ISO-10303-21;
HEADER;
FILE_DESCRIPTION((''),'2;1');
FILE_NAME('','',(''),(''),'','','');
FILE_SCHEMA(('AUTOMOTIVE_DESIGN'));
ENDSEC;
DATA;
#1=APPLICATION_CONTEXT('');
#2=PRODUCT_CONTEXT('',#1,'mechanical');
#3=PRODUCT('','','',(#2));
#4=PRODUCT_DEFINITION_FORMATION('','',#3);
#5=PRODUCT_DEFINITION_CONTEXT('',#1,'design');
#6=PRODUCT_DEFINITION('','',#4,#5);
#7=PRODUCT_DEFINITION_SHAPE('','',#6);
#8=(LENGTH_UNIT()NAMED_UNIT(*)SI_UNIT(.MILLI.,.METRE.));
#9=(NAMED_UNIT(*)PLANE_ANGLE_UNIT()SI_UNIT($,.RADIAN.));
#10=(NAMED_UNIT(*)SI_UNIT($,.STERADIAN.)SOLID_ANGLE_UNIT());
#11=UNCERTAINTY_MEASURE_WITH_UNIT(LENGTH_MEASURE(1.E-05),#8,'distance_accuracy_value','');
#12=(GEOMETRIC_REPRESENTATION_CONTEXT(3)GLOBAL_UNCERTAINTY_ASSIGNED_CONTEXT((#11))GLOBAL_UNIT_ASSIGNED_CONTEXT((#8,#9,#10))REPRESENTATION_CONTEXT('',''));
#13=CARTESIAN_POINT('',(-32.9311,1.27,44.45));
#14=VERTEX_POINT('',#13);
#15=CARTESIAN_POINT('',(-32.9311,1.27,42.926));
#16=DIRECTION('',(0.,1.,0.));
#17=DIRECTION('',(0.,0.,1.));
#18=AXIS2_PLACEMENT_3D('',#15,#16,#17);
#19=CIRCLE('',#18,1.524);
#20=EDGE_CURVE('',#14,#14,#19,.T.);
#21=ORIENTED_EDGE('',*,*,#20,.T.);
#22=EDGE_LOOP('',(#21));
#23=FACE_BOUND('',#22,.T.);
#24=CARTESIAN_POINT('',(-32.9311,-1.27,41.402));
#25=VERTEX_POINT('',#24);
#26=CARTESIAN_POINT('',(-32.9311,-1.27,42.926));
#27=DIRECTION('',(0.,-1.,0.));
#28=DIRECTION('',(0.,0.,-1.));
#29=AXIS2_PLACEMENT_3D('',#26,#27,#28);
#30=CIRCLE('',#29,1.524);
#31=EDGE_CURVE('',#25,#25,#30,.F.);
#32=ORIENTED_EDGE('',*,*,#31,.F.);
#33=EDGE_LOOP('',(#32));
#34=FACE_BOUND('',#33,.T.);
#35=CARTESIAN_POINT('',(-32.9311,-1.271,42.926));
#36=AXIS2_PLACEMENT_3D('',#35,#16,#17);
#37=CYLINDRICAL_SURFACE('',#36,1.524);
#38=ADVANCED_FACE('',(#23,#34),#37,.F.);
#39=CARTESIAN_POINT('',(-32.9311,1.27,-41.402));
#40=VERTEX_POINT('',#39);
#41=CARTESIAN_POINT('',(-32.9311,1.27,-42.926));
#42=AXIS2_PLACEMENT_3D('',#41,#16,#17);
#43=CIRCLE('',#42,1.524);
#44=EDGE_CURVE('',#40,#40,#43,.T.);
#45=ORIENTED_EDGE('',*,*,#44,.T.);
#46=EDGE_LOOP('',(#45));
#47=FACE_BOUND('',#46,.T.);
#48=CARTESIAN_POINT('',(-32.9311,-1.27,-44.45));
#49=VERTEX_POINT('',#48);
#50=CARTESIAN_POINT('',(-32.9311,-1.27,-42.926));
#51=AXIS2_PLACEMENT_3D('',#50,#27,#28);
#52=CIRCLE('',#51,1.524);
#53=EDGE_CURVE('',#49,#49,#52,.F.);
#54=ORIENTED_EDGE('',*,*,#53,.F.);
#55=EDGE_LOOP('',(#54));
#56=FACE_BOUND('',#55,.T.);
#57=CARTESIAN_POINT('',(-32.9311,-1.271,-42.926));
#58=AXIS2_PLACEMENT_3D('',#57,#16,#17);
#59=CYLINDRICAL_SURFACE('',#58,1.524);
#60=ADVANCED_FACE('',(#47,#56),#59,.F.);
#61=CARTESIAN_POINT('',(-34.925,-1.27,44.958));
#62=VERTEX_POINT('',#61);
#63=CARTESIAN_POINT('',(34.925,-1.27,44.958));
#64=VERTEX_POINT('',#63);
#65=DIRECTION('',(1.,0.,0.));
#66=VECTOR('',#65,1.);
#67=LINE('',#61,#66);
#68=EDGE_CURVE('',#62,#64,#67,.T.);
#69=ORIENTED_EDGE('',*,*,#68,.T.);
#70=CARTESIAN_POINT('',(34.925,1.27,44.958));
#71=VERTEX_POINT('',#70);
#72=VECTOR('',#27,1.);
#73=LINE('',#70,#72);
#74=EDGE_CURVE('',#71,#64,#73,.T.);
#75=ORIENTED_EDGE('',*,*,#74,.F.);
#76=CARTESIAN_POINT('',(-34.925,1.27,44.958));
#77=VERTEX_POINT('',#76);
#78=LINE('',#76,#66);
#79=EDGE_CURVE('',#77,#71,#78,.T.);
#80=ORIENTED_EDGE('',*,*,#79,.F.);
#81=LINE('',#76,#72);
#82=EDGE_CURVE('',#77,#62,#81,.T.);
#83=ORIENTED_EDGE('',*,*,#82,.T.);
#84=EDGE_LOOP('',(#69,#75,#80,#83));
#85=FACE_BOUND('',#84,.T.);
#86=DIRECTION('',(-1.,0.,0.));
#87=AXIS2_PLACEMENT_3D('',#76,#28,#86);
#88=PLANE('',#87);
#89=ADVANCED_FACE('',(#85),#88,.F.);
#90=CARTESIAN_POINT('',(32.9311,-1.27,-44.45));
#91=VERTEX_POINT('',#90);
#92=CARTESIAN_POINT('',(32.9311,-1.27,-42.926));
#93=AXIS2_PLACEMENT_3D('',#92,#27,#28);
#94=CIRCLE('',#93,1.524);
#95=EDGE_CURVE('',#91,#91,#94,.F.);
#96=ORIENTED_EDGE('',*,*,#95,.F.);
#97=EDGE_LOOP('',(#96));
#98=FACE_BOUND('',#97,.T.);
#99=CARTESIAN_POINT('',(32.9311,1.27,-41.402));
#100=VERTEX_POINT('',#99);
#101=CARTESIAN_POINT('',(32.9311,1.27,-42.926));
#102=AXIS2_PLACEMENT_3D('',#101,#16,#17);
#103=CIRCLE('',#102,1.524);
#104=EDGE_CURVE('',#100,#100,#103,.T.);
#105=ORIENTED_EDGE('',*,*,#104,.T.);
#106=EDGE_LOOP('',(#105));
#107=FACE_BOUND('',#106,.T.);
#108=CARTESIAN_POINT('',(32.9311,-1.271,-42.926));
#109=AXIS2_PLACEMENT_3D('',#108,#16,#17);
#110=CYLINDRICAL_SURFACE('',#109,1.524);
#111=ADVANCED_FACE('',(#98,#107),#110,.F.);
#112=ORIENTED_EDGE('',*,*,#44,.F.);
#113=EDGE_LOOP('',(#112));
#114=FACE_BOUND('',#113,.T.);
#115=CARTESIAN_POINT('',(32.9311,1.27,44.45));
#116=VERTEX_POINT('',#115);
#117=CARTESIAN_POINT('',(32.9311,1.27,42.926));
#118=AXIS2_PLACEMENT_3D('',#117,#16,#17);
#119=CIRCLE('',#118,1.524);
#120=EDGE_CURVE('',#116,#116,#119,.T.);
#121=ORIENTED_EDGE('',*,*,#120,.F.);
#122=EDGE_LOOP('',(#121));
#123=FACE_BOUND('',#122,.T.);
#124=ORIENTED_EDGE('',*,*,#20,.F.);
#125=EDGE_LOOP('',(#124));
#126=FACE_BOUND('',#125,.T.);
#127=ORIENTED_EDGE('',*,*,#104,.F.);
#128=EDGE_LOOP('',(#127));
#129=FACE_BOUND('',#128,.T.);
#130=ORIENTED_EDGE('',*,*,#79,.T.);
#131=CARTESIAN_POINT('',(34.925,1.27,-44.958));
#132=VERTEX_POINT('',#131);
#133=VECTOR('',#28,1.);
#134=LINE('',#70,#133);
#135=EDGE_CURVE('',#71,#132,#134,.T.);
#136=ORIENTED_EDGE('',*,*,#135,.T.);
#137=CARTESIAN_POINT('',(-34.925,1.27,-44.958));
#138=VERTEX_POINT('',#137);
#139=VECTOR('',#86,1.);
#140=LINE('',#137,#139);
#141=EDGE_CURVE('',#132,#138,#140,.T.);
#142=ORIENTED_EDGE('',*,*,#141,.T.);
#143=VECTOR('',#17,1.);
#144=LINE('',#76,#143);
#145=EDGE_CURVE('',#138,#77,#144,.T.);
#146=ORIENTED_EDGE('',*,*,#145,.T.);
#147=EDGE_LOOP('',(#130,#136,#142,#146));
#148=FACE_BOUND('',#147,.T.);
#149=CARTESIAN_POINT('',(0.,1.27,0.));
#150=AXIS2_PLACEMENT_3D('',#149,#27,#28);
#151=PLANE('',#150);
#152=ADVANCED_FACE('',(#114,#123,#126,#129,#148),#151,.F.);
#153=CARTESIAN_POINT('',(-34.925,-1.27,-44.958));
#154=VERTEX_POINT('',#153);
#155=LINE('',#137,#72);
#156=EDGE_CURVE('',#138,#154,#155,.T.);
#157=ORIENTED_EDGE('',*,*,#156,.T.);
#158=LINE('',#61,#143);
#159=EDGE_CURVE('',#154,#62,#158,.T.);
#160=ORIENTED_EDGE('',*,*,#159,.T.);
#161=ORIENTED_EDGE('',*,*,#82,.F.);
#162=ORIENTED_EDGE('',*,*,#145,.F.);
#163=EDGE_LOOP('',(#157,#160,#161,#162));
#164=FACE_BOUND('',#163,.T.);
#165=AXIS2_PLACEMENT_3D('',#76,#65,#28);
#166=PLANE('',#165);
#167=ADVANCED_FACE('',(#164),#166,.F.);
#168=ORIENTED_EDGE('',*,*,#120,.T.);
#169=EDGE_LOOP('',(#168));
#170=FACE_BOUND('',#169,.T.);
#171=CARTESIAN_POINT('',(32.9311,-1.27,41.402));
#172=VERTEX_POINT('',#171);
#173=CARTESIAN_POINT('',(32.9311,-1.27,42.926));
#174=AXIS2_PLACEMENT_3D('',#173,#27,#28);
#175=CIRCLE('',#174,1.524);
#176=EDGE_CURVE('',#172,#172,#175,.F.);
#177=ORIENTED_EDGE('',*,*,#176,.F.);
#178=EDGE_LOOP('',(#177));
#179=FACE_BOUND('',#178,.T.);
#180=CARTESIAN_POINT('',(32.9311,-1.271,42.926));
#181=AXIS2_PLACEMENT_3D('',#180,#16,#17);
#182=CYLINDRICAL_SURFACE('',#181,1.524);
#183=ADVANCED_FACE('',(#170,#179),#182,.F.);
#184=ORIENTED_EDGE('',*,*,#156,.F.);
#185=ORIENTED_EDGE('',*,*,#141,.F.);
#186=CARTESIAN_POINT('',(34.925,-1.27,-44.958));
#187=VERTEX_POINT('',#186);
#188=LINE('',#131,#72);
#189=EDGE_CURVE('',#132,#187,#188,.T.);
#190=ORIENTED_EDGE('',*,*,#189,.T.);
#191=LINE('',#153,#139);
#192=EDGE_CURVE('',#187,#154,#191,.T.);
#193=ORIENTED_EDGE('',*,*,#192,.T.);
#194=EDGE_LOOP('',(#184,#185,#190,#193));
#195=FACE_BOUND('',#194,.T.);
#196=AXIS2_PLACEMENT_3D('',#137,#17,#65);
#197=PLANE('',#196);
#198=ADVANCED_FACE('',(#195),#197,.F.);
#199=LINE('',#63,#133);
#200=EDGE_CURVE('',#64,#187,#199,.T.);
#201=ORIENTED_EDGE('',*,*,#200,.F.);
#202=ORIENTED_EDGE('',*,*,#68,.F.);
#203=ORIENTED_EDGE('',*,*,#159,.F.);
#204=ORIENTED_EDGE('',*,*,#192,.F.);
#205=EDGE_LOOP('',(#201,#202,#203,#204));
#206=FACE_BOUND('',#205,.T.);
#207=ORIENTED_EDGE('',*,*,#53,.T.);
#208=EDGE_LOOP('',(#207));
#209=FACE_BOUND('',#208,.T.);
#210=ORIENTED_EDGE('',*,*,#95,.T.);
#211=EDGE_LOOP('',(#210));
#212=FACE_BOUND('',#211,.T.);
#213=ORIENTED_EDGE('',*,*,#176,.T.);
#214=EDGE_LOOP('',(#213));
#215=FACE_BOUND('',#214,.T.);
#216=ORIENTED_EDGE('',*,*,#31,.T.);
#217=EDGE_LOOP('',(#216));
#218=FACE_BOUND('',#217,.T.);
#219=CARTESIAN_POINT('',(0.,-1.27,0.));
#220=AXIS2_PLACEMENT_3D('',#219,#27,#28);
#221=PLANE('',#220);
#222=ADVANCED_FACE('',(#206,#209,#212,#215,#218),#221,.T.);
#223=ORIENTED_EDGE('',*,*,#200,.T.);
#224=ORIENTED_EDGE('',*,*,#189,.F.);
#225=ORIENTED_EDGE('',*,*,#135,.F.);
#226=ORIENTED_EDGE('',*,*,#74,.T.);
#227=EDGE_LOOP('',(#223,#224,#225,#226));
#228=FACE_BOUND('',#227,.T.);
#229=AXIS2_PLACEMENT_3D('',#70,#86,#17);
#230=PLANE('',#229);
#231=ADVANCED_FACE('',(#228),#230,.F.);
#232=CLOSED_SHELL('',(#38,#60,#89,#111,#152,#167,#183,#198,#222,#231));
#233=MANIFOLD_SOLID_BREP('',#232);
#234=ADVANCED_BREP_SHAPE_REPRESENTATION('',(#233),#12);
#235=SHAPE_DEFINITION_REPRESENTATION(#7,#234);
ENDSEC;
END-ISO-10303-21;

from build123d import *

# Parameters (mm, degrees)
SKETCH1_W           = 69.85
SKETCH1_H           = 89.916
BOSS_EXTRUDE1_DEPTH = 1.27
CUT_EXTRUDE1_REACH  = 58.986
SKETCH2_R           = 1.524


with BuildPart() as part:
    # Sketch1 → Boss-Extrude1 (new, symmetric)
    with BuildSketch(Plane(origin=(0, 0, 0), x_dir=(1, 0, 0), z_dir=(0, 1, 0))):
        Rectangle(SKETCH1_W, SKETCH1_H)
    extrude(amount=BOSS_EXTRUDE1_DEPTH, both=True)

    # Sketch2 → Cut-Extrude1 (cut, up to next)
    with BuildSketch(Plane(origin=(0, 1.27, 0), x_dir=(1, 0, 0), z_dir=(0, 1, 0)), mode=Mode.PRIVATE) as cut_extrude1_sk1:
        with Locations(Location((-32.9311, 42.926, 0), (0, 0, 270))):
            Circle(SKETCH2_R)
    cut_extrude1_tool1 = extrude(cut_extrude1_sk1.sketch, amount=-CUT_EXTRUDE1_REACH, mode=Mode.PRIVATE) & part.part
    # Sketch2 → Cut-Extrude1 (cut, up to next)
    with BuildSketch(Plane(origin=(0, 1.27, 0), x_dir=(1, 0, 0), z_dir=(0, 1, 0)), mode=Mode.PRIVATE) as cut_extrude1_sk2:
        with Locations(Location((32.9311, 42.926, 0), (0, 0, 270))):
            Circle(SKETCH2_R)
    cut_extrude1_tool2 = extrude(cut_extrude1_sk2.sketch, amount=-CUT_EXTRUDE1_REACH, mode=Mode.PRIVATE) & part.part
    # Sketch2 → Cut-Extrude1 (cut, up to next)
    with BuildSketch(Plane(origin=(0, 1.27, 0), x_dir=(1, 0, 0), z_dir=(0, 1, 0)), mode=Mode.PRIVATE) as cut_extrude1_sk3:
        with Locations(Location((32.9311, -42.926, 0), (0, 0, 270))):
            Circle(SKETCH2_R)
    cut_extrude1_tool3 = extrude(cut_extrude1_sk3.sketch, amount=-CUT_EXTRUDE1_REACH, mode=Mode.PRIVATE) & part.part
    # Sketch2 → Cut-Extrude1 (cut, up to next)
    with BuildSketch(Plane(origin=(0, 1.27, 0), x_dir=(1, 0, 0), z_dir=(0, 1, 0)), mode=Mode.PRIVATE) as cut_extrude1_sk4:
        with Locations(Location((-32.9311, -42.926, 0), (0, 0, 270))):
            Circle(SKETCH2_R)
    cut_extrude1_tool4 = extrude(cut_extrude1_sk4.sketch, amount=-CUT_EXTRUDE1_REACH, mode=Mode.PRIVATE) & part.part
    add(cut_extrude1_tool1.solids().sort_by_distance((-32.9311, 1.27, -42.926))[0], mode=Mode.SUBTRACT)
    add(cut_extrude1_tool2.solids().sort_by_distance((32.9311, 1.27, -42.926))[0], mode=Mode.SUBTRACT)
    add(cut_extrude1_tool3.solids().sort_by_distance((32.9311, 1.27, 42.926))[0], mode=Mode.SUBTRACT)
    add(cut_extrude1_tool4.solids().sort_by_distance((-32.9311, 1.27, 42.926))[0], mode=Mode.SUBTRACT)


solid = part.part
